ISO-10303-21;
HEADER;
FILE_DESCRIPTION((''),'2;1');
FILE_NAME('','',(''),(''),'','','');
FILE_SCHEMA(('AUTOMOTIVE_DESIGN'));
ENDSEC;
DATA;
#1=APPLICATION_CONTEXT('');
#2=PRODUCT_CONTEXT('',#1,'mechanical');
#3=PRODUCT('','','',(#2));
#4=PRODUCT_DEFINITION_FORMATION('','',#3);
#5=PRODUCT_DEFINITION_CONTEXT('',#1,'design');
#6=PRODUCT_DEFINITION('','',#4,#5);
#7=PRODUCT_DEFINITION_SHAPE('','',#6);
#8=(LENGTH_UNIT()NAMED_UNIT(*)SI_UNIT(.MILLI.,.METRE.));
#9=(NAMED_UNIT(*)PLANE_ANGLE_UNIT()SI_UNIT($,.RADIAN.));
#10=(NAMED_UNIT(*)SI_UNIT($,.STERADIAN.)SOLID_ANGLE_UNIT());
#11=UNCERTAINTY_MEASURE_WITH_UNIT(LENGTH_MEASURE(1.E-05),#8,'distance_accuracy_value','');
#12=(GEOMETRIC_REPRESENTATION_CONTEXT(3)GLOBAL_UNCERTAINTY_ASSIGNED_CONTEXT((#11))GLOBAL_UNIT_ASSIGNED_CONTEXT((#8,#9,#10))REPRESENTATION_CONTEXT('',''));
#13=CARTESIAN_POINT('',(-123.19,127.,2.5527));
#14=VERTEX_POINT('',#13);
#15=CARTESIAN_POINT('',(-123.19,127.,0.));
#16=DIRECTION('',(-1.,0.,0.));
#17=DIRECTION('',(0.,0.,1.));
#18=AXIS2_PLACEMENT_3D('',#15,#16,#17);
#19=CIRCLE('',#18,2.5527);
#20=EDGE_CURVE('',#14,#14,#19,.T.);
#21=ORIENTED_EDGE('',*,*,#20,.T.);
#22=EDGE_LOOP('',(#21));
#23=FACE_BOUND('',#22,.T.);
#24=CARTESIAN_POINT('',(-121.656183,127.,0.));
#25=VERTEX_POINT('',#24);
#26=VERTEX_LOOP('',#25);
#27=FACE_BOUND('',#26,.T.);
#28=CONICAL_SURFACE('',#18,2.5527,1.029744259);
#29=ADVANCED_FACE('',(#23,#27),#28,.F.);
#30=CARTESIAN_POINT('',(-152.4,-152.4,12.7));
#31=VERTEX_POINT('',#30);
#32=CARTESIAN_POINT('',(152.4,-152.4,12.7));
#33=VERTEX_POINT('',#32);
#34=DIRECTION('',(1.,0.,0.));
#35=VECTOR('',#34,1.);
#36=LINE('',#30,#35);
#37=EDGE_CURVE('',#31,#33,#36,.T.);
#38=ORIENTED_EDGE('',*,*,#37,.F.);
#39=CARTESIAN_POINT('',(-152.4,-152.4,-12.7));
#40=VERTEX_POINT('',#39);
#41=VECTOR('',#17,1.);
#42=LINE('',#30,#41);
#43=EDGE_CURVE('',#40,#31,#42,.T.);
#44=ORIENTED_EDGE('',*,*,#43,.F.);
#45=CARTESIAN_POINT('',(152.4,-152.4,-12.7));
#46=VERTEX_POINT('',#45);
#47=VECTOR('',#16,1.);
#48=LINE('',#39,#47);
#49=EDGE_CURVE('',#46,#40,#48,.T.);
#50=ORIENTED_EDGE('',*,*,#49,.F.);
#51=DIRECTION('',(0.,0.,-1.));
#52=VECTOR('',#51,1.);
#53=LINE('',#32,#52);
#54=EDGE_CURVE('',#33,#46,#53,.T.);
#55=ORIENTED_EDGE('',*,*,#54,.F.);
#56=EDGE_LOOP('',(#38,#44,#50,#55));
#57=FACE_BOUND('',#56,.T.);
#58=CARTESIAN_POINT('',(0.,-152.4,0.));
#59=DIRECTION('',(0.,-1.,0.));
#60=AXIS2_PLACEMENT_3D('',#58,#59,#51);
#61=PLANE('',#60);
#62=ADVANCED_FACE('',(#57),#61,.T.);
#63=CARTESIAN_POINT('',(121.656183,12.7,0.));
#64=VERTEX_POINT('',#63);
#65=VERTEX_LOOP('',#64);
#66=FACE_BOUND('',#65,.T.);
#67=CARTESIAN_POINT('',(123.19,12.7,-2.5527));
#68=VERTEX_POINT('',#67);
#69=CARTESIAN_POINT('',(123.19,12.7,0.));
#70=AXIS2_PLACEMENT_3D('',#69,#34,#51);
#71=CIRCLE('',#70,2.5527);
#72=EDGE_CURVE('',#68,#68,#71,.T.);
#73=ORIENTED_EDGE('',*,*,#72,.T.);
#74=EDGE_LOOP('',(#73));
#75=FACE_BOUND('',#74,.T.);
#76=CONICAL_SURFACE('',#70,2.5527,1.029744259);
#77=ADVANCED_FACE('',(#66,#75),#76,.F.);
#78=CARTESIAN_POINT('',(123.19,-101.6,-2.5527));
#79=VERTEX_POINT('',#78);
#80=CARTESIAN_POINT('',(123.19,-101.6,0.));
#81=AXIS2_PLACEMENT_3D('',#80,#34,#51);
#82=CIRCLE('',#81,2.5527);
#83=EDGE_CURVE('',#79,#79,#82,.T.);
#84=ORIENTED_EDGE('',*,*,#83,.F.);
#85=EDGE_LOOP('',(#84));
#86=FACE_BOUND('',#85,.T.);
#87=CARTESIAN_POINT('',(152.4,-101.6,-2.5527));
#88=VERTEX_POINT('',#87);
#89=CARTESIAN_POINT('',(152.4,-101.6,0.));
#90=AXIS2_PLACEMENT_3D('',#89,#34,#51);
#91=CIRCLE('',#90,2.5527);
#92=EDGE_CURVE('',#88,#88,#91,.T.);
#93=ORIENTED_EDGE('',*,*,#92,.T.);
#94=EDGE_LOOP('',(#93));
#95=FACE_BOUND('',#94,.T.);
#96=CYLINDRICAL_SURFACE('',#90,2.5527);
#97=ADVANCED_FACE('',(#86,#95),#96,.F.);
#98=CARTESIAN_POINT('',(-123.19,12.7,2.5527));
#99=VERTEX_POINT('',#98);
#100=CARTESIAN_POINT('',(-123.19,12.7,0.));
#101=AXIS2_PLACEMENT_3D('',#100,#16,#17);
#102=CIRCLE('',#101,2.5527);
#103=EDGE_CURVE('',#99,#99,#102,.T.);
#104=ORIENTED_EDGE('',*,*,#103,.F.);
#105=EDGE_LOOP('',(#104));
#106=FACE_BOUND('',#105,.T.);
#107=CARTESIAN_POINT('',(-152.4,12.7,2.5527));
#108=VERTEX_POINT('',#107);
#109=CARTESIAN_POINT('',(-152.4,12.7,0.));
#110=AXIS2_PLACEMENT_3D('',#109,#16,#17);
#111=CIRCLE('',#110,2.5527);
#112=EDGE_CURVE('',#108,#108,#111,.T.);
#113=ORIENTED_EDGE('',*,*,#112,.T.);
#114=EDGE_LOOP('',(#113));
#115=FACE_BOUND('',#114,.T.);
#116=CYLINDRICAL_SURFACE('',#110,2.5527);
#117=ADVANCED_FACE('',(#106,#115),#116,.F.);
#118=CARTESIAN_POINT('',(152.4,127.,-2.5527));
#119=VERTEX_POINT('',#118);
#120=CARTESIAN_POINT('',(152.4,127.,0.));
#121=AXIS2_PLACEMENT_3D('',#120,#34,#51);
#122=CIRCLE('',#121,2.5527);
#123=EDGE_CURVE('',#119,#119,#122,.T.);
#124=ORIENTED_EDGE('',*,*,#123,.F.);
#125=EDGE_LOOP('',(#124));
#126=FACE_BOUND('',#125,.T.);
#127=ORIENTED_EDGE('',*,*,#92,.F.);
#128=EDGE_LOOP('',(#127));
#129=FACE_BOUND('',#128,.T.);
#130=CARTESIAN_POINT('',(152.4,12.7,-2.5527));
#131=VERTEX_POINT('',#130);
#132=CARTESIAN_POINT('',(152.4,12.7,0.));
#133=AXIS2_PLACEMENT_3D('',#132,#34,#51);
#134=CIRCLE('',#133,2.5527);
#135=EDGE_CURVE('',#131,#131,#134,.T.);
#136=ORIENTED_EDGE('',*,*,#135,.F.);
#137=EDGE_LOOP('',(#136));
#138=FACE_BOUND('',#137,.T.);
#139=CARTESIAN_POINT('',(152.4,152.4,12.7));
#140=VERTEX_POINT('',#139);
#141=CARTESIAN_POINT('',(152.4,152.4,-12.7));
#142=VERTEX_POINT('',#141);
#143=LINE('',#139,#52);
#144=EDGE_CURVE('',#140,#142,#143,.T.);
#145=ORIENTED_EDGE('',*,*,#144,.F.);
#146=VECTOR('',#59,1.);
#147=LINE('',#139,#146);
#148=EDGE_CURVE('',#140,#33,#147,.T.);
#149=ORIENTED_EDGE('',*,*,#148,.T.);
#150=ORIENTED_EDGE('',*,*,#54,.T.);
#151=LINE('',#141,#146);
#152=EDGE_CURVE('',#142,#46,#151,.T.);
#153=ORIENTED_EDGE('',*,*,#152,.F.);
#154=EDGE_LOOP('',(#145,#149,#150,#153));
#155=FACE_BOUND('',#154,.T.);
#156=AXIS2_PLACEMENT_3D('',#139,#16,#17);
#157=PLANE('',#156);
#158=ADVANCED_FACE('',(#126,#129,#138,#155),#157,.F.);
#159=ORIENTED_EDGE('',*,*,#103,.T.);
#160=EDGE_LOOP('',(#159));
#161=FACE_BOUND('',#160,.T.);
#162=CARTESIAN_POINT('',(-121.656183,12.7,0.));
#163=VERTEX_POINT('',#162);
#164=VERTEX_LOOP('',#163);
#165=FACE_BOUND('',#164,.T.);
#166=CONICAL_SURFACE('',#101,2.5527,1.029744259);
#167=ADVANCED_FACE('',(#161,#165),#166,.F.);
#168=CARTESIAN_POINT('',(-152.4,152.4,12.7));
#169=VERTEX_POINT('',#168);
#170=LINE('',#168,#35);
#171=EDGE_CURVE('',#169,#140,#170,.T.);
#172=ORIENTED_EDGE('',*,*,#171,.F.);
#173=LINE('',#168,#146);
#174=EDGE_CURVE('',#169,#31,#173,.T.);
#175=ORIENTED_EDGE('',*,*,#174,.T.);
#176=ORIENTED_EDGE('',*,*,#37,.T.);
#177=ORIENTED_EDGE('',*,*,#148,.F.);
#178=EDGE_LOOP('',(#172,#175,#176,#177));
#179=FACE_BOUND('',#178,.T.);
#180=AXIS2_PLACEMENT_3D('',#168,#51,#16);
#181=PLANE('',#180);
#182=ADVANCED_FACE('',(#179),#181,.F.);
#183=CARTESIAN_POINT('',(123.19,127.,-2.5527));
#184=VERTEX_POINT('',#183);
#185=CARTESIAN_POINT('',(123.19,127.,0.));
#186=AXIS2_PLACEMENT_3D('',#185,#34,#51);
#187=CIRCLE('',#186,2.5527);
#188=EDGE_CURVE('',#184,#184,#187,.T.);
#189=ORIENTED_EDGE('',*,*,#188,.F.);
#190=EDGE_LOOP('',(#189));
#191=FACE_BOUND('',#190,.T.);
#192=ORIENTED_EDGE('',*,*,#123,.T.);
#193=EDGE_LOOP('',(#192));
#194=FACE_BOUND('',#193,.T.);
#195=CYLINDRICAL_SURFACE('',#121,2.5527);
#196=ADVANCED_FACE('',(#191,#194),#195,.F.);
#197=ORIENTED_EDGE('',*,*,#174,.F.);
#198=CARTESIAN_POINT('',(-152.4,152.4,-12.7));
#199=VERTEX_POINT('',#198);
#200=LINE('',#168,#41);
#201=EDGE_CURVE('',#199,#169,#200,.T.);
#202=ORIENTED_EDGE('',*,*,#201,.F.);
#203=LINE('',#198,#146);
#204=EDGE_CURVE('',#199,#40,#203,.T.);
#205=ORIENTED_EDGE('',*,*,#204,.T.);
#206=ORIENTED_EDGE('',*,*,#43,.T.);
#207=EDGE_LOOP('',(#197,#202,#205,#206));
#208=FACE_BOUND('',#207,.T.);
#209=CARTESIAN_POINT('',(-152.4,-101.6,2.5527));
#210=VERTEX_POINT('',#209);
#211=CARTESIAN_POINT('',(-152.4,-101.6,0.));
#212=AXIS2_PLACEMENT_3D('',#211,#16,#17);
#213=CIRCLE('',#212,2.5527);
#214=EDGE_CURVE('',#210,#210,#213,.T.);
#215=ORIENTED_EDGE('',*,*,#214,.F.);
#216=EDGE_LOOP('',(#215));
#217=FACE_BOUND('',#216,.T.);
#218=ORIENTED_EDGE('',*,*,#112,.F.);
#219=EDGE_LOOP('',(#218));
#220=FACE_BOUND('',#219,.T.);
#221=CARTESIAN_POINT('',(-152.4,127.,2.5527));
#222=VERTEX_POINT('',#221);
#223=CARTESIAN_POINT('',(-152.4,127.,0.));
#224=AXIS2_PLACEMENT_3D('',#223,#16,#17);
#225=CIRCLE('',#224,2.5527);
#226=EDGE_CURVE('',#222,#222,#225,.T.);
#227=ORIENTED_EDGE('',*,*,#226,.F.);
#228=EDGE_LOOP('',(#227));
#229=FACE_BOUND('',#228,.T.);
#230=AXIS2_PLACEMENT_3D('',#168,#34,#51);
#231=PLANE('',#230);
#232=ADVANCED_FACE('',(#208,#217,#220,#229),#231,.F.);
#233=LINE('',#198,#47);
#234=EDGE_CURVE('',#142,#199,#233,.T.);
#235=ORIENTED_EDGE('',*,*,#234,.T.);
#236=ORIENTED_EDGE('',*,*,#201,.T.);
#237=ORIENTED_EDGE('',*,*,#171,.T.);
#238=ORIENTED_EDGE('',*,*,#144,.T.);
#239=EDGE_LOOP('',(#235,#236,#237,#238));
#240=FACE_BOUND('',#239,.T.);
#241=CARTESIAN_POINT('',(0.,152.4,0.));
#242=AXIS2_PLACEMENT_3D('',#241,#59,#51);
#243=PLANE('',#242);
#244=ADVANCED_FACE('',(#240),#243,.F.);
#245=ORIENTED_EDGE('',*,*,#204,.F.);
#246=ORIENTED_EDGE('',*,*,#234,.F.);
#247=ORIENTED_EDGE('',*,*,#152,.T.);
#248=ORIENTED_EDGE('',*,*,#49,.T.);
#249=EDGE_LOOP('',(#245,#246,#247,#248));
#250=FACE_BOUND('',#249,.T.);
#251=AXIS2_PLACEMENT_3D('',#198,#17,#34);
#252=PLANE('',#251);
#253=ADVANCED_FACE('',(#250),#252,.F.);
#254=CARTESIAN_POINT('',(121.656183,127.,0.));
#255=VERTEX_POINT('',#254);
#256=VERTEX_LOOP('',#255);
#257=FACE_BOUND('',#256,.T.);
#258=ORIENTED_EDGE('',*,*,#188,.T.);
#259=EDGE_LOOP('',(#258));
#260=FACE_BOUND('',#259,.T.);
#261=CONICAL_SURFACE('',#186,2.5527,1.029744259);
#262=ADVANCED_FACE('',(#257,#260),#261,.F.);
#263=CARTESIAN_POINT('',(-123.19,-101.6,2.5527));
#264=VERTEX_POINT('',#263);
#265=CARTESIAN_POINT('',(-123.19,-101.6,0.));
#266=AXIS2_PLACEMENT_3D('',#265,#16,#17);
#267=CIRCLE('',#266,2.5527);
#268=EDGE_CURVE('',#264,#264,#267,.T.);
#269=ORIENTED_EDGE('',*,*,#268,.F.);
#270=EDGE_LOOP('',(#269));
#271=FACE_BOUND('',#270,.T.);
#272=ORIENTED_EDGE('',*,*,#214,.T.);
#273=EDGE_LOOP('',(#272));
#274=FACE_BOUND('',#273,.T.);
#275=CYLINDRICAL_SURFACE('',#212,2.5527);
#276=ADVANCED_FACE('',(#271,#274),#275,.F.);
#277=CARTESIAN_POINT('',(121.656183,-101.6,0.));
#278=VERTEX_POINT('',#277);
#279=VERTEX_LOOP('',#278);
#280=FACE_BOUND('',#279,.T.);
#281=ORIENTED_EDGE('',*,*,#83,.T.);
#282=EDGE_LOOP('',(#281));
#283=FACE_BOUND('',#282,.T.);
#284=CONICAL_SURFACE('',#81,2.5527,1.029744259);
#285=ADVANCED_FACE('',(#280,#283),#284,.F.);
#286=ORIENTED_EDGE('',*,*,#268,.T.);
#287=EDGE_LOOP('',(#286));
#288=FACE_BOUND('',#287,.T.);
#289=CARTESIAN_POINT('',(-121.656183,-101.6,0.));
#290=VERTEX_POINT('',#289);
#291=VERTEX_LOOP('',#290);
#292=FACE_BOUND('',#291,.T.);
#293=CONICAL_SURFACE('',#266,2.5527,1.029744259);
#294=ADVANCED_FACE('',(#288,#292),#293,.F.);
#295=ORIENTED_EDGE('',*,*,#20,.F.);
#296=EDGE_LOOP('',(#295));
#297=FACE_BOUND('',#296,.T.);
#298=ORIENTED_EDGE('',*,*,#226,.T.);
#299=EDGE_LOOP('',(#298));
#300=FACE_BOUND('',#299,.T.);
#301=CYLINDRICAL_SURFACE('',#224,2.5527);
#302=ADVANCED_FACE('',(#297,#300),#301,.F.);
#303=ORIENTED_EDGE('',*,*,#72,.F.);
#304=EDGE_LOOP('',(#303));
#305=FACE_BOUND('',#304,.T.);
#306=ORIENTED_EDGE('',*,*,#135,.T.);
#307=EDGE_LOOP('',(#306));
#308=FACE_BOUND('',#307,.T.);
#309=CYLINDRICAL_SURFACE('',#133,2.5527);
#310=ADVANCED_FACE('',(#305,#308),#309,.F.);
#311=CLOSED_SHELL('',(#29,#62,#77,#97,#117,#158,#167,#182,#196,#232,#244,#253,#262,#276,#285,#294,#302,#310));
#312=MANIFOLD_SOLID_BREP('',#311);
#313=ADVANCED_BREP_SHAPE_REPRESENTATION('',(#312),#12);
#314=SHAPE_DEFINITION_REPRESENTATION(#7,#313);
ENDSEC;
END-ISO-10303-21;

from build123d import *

# Parameters (mm, degrees)
SKETCH1_W                        = 304.8
SKETCH1_H                        = 25.4
BOSS_EXTRUDE1_DEPTH              = 152.4
F_1_4_20_TAPPED_HOLE1_AT_2_COUNT = 2
F_1_4_20_TAPPED_HOLE1_AT_2_PITCH = 114.3
F_1_4_20_TAPPED_HOLE1_AT_3_COUNT = 2
F_1_4_20_TAPPED_HOLE1_AT_3_PITCH = 228.6


with BuildPart() as part:
    # Sketch1 → Boss-Extrude1 (new, symmetric)
    with BuildSketch(Plane(origin=(0, 0, 0), x_dir=(1, 0, 0), z_dir=(0, 1, 0))):
        Rectangle(SKETCH1_W, SKETCH1_H)
    extrude(amount=BOSS_EXTRUDE1_DEPTH, both=True)

    # Sketch5 → 1/4-20 Tapped Hole1 (revolve, cut)
    with BuildSketch(Plane(origin=(152.4, 127, 0), x_dir=(0, 0, -1), z_dir=(0, 1, 0))):
        Polygon((0, 0), (0, 30.743816902), (2.5527, 29.21), (2.5527, 0), align=None)
    f_1_4_20_tapped_hole1 = revolve(axis=Axis((158.75, 127, 0), (-1, 0, 0)), mode=Mode.SUBTRACT)

    # 1/4-20 Tapped Hole1 at 2: 1/4-20 Tapped Hole1 ×2
    with Locations(*[(0, -i * F_1_4_20_TAPPED_HOLE1_AT_2_PITCH, 0) for i in range(1, F_1_4_20_TAPPED_HOLE1_AT_2_COUNT)]):
        add(f_1_4_20_tapped_hole1, mode=Mode.SUBTRACT)

    # 1/4-20 Tapped Hole1 at 3: 1/4-20 Tapped Hole1 ×2
    with Locations(*[(0, -i * F_1_4_20_TAPPED_HOLE1_AT_3_PITCH, 0) for i in range(1, F_1_4_20_TAPPED_HOLE1_AT_3_COUNT)]):
        add(f_1_4_20_tapped_hole1, mode=Mode.SUBTRACT)

    # Mirror1: 1/4-20 Tapped Hole1 across plane
    add(f_1_4_20_tapped_hole1.mirror(Plane(origin=(0, 0, 0), x_dir=(0, 0, 1), z_dir=(1, 0, 0))), mode=Mode.SUBTRACT)

    # Mirror1 copy 1 sketch → Mirror1 copy 1 (revolve, cut)
    with BuildSketch(Plane(origin=(-152.4, 12.7, 0), x_dir=(0, 0, -1), z_dir=(0, 1, 0))):
        Polygon((0, 0), (0, -30.743816902), (2.5527, -29.21), (2.5527, 0), align=None)
    revolve(axis=Axis((-158.75, 12.7, 0), (-1, 0, 0)), mode=Mode.SUBTRACT)

    # Mirror1 copy 2 sketch → Mirror1 copy 2 (revolve, cut)
    with BuildSketch(Plane(origin=(-152.4, -101.6, 0), x_dir=(0, 0, -1), z_dir=(0, 1, 0))):
        Polygon((0, 0), (0, -30.743816902), (2.5527, -29.21), (2.5527, 0), align=None)
    revolve(axis=Axis((-158.75, -101.6, 0), (-1, 0, 0)), mode=Mode.SUBTRACT)


solid = part.part
